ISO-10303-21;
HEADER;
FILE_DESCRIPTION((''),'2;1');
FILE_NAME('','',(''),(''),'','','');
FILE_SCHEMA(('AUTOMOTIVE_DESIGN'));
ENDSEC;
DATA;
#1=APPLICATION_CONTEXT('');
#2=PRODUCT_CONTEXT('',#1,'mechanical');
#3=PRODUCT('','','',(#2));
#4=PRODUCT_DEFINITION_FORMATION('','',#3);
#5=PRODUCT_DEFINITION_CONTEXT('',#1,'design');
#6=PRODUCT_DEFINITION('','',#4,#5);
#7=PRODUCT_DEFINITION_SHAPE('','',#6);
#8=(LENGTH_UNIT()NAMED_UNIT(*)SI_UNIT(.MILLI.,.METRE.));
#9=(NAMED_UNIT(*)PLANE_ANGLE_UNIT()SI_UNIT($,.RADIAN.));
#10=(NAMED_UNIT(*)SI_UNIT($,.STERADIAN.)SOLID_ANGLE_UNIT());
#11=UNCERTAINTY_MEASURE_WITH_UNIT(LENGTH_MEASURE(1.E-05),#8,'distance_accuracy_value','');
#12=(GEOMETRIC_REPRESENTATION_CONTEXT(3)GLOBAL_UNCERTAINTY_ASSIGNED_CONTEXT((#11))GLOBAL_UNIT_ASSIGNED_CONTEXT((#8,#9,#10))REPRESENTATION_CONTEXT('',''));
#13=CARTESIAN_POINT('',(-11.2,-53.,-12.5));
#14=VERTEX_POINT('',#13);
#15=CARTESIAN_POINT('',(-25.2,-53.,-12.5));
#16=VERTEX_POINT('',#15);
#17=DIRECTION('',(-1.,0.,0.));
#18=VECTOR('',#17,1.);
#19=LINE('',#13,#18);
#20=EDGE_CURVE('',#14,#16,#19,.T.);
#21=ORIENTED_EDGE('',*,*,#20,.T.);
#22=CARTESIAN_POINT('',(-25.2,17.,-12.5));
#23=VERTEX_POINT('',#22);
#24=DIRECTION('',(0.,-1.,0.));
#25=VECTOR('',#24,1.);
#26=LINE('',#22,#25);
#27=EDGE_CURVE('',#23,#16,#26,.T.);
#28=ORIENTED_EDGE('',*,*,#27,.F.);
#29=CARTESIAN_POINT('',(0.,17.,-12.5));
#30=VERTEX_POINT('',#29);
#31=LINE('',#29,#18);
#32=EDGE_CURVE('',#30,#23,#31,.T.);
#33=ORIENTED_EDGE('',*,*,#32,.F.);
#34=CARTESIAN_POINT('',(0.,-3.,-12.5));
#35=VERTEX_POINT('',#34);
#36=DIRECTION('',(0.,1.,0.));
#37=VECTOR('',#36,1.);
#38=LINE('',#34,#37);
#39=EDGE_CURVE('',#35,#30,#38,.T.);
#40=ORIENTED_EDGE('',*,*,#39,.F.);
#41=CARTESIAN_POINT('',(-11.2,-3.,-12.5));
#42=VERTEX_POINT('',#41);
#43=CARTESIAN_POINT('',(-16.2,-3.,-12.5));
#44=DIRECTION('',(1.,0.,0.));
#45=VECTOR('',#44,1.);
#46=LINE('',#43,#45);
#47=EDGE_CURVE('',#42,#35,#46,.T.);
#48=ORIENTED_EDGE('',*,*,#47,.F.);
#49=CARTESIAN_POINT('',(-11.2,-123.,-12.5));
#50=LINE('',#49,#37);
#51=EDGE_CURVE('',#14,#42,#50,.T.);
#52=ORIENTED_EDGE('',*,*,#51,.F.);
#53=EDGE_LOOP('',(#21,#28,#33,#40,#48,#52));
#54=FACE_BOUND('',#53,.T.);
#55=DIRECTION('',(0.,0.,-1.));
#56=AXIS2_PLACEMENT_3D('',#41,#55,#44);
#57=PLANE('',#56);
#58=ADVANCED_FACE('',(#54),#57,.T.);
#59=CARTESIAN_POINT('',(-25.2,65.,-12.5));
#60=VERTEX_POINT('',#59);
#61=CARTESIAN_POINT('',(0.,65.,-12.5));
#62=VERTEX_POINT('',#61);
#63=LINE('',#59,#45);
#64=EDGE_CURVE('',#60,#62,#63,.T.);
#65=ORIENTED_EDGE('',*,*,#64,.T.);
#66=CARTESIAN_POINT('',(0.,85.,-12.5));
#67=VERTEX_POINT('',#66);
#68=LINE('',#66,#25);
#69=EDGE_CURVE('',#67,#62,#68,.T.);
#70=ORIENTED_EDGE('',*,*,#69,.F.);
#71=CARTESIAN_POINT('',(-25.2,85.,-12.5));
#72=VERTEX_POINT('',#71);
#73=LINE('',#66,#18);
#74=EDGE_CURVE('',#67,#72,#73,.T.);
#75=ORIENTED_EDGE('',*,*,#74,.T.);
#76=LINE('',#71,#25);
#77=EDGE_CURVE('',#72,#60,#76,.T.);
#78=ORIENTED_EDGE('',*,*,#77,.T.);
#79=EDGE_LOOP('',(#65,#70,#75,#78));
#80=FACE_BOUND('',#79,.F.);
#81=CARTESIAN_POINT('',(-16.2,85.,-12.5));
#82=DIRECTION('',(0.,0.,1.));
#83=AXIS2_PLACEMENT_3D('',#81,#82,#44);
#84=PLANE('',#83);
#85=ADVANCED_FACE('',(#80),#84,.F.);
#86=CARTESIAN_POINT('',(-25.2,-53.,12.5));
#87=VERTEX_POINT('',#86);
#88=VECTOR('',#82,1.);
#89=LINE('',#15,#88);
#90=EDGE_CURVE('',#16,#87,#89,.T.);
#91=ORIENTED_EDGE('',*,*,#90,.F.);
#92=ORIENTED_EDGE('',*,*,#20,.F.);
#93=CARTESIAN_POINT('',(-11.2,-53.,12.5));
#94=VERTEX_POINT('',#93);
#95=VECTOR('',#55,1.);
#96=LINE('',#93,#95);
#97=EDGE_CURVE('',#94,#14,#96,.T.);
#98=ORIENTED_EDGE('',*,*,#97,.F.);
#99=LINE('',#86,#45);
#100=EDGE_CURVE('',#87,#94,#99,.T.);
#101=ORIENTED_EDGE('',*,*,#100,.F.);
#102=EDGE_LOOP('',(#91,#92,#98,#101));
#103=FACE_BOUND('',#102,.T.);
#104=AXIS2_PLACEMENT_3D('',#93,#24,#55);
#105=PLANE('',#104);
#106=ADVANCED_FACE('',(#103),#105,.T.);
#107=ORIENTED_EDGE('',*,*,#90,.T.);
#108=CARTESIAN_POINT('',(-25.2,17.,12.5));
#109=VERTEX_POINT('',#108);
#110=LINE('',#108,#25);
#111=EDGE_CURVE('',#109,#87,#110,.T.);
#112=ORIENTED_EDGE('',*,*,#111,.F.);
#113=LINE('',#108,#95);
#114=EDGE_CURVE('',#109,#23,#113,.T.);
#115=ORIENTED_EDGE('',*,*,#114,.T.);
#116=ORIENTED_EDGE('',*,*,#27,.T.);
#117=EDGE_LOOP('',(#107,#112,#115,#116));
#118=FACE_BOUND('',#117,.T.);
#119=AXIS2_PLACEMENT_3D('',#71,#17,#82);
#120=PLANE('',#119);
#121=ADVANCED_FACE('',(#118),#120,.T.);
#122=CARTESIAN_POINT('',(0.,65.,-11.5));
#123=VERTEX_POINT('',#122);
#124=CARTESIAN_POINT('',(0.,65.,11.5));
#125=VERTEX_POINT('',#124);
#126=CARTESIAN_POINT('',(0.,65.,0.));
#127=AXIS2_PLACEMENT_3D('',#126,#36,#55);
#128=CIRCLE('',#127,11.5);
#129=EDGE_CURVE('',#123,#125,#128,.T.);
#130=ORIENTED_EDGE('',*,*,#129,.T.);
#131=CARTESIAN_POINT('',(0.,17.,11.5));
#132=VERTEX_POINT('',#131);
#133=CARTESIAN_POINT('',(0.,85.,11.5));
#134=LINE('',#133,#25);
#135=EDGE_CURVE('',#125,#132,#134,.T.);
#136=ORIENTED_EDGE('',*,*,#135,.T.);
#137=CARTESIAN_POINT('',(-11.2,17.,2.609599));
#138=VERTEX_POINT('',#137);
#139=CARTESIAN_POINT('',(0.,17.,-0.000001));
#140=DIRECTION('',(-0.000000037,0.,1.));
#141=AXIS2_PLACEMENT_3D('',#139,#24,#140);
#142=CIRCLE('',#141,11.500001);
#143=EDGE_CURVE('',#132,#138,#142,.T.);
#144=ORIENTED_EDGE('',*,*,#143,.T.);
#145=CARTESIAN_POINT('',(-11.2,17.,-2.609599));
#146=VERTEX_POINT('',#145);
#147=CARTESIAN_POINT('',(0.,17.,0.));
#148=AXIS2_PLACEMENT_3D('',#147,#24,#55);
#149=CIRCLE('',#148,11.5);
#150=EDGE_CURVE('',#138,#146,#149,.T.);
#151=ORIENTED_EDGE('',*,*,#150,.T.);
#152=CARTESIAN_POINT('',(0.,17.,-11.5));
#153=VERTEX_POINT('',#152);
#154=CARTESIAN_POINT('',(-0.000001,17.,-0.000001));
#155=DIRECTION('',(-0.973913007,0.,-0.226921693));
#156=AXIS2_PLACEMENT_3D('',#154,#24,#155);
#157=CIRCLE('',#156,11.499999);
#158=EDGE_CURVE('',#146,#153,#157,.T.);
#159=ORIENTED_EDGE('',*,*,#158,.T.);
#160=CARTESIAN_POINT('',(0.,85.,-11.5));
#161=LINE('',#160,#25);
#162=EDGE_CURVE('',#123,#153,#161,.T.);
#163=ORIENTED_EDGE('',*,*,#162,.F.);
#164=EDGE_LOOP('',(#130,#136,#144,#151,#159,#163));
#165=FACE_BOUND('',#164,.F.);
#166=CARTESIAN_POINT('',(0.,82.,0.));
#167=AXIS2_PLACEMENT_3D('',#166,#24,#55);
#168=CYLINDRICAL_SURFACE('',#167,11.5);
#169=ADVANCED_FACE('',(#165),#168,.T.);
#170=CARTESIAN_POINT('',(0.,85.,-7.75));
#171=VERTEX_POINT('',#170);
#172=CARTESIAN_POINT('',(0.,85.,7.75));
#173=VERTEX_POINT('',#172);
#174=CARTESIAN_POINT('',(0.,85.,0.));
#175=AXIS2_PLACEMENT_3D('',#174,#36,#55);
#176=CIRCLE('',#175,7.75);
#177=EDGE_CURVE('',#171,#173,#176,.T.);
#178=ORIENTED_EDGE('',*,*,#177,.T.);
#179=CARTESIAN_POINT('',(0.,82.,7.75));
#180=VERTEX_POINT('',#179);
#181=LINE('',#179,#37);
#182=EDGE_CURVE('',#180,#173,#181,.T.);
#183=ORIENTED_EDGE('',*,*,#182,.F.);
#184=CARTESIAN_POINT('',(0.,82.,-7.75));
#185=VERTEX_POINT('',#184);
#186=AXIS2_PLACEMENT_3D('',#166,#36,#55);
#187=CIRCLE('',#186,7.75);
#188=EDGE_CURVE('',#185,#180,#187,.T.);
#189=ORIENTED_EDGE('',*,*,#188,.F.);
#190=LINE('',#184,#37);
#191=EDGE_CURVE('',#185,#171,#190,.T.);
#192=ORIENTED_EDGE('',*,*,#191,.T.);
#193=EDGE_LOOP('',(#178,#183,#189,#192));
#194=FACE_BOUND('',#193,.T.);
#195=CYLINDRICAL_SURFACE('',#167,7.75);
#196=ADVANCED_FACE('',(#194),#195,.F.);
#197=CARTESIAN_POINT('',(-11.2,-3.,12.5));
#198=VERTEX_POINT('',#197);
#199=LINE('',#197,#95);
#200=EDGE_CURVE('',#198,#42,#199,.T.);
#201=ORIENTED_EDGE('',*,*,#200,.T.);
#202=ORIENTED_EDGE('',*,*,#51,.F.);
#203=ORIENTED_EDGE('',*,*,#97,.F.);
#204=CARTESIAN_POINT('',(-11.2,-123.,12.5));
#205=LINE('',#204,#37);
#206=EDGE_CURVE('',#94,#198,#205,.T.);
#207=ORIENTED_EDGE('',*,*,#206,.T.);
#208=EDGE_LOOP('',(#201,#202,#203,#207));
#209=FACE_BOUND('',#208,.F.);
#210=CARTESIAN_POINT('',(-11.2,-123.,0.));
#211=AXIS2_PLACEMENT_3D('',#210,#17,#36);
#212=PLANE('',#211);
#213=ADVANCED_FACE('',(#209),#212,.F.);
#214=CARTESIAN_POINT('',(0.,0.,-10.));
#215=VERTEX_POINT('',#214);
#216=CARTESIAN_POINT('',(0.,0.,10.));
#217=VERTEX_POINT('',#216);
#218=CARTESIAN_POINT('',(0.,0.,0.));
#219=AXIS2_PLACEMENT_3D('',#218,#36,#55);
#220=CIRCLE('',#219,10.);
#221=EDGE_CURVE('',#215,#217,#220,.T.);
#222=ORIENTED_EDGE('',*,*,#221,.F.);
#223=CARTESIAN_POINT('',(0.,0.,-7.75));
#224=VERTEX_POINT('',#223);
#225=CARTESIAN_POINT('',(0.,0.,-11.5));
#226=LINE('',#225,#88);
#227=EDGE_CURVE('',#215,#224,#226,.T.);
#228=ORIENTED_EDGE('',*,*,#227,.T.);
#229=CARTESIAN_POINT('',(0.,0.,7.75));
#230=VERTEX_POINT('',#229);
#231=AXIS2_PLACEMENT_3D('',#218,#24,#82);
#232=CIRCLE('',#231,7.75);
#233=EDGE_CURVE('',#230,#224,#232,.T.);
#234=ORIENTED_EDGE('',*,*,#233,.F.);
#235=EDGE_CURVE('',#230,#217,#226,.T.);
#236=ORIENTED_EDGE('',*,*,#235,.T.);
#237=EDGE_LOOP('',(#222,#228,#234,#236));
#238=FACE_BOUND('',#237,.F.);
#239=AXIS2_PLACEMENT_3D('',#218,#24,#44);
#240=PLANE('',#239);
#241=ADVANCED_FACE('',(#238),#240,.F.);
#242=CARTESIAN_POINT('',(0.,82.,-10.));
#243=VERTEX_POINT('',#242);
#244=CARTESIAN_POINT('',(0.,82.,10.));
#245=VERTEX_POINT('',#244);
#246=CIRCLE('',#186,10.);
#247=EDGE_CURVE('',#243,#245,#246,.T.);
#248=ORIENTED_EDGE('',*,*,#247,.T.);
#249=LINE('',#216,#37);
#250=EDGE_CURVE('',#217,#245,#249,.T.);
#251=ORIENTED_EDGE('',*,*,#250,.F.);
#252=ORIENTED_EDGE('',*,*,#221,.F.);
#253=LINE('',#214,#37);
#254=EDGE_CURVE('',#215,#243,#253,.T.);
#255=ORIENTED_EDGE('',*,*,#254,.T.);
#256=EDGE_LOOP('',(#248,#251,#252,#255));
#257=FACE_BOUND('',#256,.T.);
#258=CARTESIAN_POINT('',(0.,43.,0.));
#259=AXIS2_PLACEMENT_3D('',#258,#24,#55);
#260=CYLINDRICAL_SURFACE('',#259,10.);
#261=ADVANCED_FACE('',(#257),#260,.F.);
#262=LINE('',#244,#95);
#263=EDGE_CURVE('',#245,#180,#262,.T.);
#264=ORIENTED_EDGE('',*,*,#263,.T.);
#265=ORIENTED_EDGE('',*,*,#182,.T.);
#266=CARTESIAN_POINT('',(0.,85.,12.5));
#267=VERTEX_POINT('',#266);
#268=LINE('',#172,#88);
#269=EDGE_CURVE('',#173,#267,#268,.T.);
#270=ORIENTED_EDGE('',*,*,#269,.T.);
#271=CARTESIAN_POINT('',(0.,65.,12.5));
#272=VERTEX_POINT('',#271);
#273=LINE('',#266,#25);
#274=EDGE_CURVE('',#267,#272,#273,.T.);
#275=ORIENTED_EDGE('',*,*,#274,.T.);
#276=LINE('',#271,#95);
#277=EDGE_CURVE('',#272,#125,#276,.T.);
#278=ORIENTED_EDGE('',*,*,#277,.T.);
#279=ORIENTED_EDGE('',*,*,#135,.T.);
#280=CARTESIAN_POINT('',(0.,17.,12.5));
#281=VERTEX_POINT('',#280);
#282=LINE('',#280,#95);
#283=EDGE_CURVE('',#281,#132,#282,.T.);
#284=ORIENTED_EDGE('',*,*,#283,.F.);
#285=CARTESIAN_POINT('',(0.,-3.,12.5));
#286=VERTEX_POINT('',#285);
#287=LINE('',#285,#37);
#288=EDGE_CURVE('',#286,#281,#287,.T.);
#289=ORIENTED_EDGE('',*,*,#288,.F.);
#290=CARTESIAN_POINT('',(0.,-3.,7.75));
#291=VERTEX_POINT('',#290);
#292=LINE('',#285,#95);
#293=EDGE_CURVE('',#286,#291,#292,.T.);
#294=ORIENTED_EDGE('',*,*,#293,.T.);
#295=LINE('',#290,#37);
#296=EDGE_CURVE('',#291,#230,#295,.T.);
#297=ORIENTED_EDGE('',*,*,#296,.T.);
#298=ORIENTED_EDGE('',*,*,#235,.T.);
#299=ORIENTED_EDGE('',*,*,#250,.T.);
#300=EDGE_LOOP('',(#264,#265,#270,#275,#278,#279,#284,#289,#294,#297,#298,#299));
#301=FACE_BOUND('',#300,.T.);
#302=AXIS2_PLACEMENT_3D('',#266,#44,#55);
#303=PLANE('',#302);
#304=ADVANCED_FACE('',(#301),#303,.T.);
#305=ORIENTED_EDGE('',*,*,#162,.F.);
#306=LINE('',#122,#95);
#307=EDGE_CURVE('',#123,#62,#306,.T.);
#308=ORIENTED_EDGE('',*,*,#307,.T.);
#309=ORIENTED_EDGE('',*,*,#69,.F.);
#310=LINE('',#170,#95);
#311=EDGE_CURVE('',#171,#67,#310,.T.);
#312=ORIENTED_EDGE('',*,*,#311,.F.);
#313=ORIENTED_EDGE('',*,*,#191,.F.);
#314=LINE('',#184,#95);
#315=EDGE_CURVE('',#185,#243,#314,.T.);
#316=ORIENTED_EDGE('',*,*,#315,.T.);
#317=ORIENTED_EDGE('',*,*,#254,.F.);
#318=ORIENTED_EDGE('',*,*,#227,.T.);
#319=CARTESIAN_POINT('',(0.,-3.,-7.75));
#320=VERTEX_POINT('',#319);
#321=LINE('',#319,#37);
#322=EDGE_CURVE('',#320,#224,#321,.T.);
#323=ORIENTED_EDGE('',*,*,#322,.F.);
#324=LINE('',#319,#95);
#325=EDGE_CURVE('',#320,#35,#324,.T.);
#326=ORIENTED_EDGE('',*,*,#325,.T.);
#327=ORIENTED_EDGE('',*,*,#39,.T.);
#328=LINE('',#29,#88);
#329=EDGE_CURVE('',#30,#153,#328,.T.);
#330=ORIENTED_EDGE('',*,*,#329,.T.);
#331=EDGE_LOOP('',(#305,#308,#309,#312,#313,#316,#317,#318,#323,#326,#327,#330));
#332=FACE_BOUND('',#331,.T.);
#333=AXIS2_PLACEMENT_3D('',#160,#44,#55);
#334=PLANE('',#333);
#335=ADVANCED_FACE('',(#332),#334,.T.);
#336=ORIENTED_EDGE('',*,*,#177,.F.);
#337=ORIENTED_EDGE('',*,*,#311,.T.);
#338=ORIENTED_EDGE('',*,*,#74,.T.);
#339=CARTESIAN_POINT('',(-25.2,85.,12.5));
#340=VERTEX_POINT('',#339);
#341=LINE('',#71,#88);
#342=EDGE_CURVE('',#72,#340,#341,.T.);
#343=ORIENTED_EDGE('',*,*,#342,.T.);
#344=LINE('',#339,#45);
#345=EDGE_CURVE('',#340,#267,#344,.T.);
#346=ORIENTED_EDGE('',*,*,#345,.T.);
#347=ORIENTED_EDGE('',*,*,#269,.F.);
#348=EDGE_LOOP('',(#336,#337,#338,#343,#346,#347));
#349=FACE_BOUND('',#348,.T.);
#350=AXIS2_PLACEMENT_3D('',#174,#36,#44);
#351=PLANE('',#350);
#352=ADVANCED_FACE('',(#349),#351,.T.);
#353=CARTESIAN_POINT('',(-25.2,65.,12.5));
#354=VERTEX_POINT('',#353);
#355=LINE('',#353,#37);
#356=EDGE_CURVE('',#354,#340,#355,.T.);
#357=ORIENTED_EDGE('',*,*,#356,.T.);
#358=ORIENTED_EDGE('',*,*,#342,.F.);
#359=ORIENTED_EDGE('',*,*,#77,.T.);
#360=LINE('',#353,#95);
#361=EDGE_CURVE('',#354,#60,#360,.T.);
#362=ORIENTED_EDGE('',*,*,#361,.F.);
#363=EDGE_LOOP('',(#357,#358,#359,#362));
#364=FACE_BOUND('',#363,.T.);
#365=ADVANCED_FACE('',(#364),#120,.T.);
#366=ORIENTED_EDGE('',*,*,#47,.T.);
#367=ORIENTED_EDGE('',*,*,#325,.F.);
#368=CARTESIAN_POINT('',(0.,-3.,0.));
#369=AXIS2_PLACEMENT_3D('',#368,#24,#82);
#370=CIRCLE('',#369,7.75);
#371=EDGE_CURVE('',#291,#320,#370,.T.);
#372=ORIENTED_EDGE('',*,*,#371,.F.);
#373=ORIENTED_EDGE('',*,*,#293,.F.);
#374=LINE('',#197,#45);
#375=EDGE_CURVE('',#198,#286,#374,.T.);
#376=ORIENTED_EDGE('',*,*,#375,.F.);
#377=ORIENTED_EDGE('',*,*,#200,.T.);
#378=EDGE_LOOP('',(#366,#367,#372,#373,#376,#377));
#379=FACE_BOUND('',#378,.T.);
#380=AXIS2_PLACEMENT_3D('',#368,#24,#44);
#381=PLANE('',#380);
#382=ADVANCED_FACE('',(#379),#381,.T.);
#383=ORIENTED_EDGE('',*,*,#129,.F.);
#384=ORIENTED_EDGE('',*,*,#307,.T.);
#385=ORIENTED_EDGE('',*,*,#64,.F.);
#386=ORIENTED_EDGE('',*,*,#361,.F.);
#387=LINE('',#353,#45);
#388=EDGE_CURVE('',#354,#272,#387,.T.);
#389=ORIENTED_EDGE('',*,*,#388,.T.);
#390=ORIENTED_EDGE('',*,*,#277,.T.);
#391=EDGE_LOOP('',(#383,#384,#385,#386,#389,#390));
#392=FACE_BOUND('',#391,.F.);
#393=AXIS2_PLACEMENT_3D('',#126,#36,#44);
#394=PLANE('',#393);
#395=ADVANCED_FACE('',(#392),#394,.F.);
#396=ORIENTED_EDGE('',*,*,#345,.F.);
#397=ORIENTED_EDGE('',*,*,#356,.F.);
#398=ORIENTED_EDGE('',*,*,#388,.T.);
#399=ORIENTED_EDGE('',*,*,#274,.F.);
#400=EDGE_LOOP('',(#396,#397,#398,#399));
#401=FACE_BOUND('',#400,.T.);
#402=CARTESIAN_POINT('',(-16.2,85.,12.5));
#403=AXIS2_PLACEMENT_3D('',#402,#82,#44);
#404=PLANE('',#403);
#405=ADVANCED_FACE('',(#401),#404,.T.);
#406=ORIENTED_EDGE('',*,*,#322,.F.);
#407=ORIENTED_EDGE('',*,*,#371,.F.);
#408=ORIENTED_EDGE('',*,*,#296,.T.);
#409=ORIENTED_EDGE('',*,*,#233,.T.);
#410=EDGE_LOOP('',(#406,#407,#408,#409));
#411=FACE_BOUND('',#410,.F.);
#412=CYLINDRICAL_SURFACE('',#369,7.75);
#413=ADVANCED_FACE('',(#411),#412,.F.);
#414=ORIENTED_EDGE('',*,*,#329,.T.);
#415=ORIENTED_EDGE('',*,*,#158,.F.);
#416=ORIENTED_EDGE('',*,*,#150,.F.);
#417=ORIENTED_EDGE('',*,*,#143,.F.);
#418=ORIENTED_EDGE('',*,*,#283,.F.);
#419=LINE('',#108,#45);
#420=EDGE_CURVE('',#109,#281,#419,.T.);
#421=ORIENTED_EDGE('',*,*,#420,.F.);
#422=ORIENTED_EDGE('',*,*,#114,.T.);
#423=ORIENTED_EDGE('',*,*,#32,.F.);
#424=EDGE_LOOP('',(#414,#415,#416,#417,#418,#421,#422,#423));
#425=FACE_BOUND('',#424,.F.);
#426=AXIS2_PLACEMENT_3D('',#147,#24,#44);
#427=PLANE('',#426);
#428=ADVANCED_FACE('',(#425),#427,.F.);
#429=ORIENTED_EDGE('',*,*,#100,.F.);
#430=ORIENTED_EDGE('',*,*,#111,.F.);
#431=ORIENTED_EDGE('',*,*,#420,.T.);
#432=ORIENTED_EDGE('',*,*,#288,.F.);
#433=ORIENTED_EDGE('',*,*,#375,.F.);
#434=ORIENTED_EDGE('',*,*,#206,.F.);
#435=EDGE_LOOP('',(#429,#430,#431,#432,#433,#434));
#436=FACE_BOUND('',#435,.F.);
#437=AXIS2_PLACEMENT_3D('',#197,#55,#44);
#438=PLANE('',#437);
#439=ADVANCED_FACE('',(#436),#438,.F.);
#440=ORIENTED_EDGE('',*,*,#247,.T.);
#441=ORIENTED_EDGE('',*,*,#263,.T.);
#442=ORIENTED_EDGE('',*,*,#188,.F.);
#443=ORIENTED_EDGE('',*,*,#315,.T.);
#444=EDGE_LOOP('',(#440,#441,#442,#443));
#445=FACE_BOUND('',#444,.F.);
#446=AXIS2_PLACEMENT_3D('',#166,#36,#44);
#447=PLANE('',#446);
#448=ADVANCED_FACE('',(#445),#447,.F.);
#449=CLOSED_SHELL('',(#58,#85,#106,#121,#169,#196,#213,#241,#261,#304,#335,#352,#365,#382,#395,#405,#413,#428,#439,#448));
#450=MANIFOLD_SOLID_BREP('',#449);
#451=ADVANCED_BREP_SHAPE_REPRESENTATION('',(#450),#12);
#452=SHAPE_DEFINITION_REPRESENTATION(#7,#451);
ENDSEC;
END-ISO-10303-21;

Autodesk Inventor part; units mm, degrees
ref_plane "YZ Plane" through (0, 0, 0) normal (1, 0, 0) x (0, 1, 0)
ref_plane "XZ Plane" through (0, 0, 0) normal (0, 1, 0) x (-1, 0, 0)
ref_plane "XY Plane" through (0, 0, 0) normal (0, 0, 1) x (1, 0, 0)
sketch "草圖1" plane through (0, 0, 0) normal (0, 1, 0) x (-1, 0, 0)
  arc A0 (0, -10) -> (0, 10) centre (0, 0) ccw
  arc A1 (0, -11.5) -> (0, 11.5) centre (0, 0) ccw
  line L0 (0, 11.5) -> (0, 10)
  line L1 (0, -10) -> (0, -11.5)
  dimension "d0" = 20
  dimension "d1" = 23
extrude "擠出1" add sketch "草圖1" along normal blind 40
sketch "草圖2" plane through (0, 40, 0) normal (0, 1, 0) x (1, 0, 0)
  line L0 (0, -11.5) -> (0, -10) projected
  arc A0 (0, 11.5) -> (0, -11.5) centre (0, 0) ccw projected
  line L1 (0, 10) -> (0, 11.5) projected
  line L2 (0, -10) -> (0, 10)
extrude "擠出2" add sketch "草圖2" along normal blind 3
sketch "草圖3" plane through (0, 43, 0) normal (0, 1, 0) x (1, 0, 0)
  arc A0 (0, 7.75) -> (0, -7.75) centre (0, 0) ccw
  line L0 (0, -10) -> (0, 10) projected
  line L1 (0, -7.75) -> (0, 7.75)
  dimension "d7" = 15.5
extrude "擠出3" cut sketch "草圖3" against normal up to next
sketch "草圖5" plane through (0, 0, 0) normal (0, -1, 0) x (1, 0, 0)
  arc A0 (0, 10) -> (0, -10) centre (0, 0) ccw projected
  line L0 (0, 10) -> (0, 11.5) projected
  arc A1 (0, 11.5) -> (0, -11.5) centre (0, 0) ccw projected
  line L1 (0, -11.5) -> (0, -10) projected
  line L2 (0, 11.5) -> (0, -11.5)
extrude "擠出4" add sketch "草圖5" along normal blind 3
sketch "草圖7" plane through (0, -3, 0) normal (0, -1, 0) x (1, 0, 0)
  arc A0 (0, 7.75) -> (0, -7.75) centre (0, 0) ccw
  line L0 (0, -11.5) -> (0, 11.5) projected
  line L1 (0, -7.75) -> (0, 7.75)
  dimension "d13" = 15.5
extrude "擠出5" cut sketch "草圖7" against normal up to next
sketch "草圖9" plane through (0, 0, 0) normal (0, 0, 1) x (1, 0, 0)
  line L0 (0, 43) -> (0, -3) construction
  line L1 (0, -3) -> (-11.2, -3) construction
  line L2 (-11.5, -3) -> (0, -3) construction
  line L3 (-11.2, -3) -> (-11.2, -103) construction
  line L4 (-11.2, -3) -> (-11.2, 17) construction
  line L5 (-11.2, 17) -> (-16.2, 17)
  line L6 (-16.2, 17) -> (-16.2, -123)
  line L7 (-16.2, -123) -> (-11.2, -123)
  line L8 (-11.2, -123) -> (-11.2, 17)
  point P0 (0, 0)
  dimension "d18" = 11.2
  dimension "d19" = 100
  dimension "d20" = 20
  dimension "d21" = 5
  dimension "d22" = 140
  dimension "d23" = 5
extrude "擠出6" add sketch "草圖9" along normal mid plane 25
sketch "草圖11" plane through (0, -3, 0) normal (0, -1, 0) x (1, 0, 0)
  line L0 (-16.2, -12.5) -> (-11.2, -12.5) projected
  line L1 (-16.2, -12.5) -> (0, -12.5)
  line L2 (-11.2, -12.5) -> (-16.2, -12.5) projected
  line L3 (-16.2, -12.5) -> (-16.2, 12.5) projected
  line L4 (-16.2, 12.5) -> (-11.2, 12.5) projected
  line L5 (-11.2, 12.5) -> (0, 12.5)
  line L6 (0, 12.5) -> (0, 11.5)
  arc A0 (-11.2, -2.6096) -> (0, -11.5) centre (0, 0) ccw projected
  arc A1 (0, 11.5) -> (-11.2, 2.6096) centre (0, 0) ccw projected
  line L7 (-11.2, -12.5) -> (-11.2, 12.5) projected
  line L8 (0, -12.5) -> (0, -11.5)
extrude "擠出7" add sketch "草圖11" against normal blind 20 contours L7 A0 L8 L1 | L5 L6 A1 L7
sketch "草圖12" plane through (-11.2, -123, 12.5) normal (1, 0, 0) x (0, 0, -1)
  line L0 (20.25, 120) -> (4.75, 120) construction
  line L1 (25, 120) -> (0, 120) projected
  line L2 (0, 0) -> (0, 120) projected
  line L3 (25, 0) -> (0, 0) projected
  line L4 (25, 120) -> (25, 0) projected
  line L5 (0, 120) -> (0, 70) construction
  line L6 (0, 70) -> (25, 70)
  point P0 (12.5, 123)
  dimension "d36" = 50
extrude "擠出9" cut sketch "草圖12" against normal up to next contours L4 L3 L2 L6
sketch "草圖16" plane through (0, 43, 0) normal (0, 1, 0) x (1, 0, 0)
  arc A0 (0, 10) -> (0, -10) centre (0, 0) ccw projected
  arc A1 (0, 11.5) -> (0, -11.5) centre (0, 0) ccw projected
  line L0 (0, -11.5) -> (0, -7.75) projected
  line L1 (0, 7.75) -> (0, 11.5) projected
extrude "擠出11" add sketch "草圖16" along normal blind 39
sketch "草圖17" plane through (0, 82, 0) normal (0, 1, 0) x (1, 0, 0)
  line L0 (0, -10) -> (0, -7.75) projected
  arc A0 (0, 7.75) -> (0, -7.75) centre (0, 0) ccw projected
  line L1 (0, 7.75) -> (0, 10) projected
  arc A1 (0, 11.5) -> (0, -11.5) centre (0, 0) ccw projected
  line L2 (0, -11.5) -> (0, -10) projected
  line L3 (0, 10) -> (0, 11.5) projected
extrude "擠出12" add sketch "草圖17" along normal blind 3
sketch "草圖18" plane through (0, 85, 0) normal (0, 1, 0) x (1, 0, 0)
  arc A0 (0, 11.5) -> (0, -11.5) centre (0, 0) ccw projected
  line L0 (0, 11.5) -> (0, 12.5) projected
  line L1 (-16.2, 12.5) -> (0, 12.5) projected
  line L2 (-16.2, 12.5) -> (-16.2, -12.5) projected
  line L3 (-16.2, -12.5) -> (0, -12.5) projected
  line L4 (0, -12.5) -> (0, -11.5) projected
extrude "擠出13" add sketch "草圖18" against normal blind 20
sketch "草圖19" plane through (0, 43, 0) normal (0, 1, 0) x (1, 0, 0)
  arc A0 (0, 10) -> (0, -10) centre (0, 0) ccw projected
  line L0 (0, -10) -> (0, -7.75) projected
  arc A1 (0, 7.75) -> (0, -7.75) centre (0, 0) ccw projected
  line L1 (0, 7.75) -> (0, 10) projected
extrude "擠出14" cut sketch "草圖19" against normal blind 3
sketch "Sketch20" plane through (0, 0, 0) normal (0, 0, 1) x (1, 0, 0)
  line L0 (-11.2, -3) -> (0, -3) projected
  line L1 (0, 85) -> (-16.2, 85) projected
  point P0 (0, 0)
  dimension "d52" = 88
sketch "Sketch21" plane through (-16.2, 85, -12.5) normal (-1, 0, 0) x (0, 0, 1)
  line L0 (25, 0) -> (20.25, 0) projected
  line L1 (0, -20) -> (1, -20) projected
  line L2 (25, 0) -> (0, 0)
  line L3 (0, 0) -> (0, -20)
  line L4 (0, -20) -> (25, -20)
  line L5 (25, -20) -> (25, 0)
  line L6 (25, -68) -> (25, -138) projected
  line L7 (0, -138) -> (25, -138) projected
  line L8 (25, -68) -> (0, -68)
  line L9 (0, -68) -> (0, -138)
  line L10 (0, -138) -> (25, -138)
  line L11 (25, -138) -> (25, -68)
  point P0 (12.5, -85)
extrude "Extrusion15" add sketch "Sketch21" along normal blind 9
properties part number "蓋子加平面2"
